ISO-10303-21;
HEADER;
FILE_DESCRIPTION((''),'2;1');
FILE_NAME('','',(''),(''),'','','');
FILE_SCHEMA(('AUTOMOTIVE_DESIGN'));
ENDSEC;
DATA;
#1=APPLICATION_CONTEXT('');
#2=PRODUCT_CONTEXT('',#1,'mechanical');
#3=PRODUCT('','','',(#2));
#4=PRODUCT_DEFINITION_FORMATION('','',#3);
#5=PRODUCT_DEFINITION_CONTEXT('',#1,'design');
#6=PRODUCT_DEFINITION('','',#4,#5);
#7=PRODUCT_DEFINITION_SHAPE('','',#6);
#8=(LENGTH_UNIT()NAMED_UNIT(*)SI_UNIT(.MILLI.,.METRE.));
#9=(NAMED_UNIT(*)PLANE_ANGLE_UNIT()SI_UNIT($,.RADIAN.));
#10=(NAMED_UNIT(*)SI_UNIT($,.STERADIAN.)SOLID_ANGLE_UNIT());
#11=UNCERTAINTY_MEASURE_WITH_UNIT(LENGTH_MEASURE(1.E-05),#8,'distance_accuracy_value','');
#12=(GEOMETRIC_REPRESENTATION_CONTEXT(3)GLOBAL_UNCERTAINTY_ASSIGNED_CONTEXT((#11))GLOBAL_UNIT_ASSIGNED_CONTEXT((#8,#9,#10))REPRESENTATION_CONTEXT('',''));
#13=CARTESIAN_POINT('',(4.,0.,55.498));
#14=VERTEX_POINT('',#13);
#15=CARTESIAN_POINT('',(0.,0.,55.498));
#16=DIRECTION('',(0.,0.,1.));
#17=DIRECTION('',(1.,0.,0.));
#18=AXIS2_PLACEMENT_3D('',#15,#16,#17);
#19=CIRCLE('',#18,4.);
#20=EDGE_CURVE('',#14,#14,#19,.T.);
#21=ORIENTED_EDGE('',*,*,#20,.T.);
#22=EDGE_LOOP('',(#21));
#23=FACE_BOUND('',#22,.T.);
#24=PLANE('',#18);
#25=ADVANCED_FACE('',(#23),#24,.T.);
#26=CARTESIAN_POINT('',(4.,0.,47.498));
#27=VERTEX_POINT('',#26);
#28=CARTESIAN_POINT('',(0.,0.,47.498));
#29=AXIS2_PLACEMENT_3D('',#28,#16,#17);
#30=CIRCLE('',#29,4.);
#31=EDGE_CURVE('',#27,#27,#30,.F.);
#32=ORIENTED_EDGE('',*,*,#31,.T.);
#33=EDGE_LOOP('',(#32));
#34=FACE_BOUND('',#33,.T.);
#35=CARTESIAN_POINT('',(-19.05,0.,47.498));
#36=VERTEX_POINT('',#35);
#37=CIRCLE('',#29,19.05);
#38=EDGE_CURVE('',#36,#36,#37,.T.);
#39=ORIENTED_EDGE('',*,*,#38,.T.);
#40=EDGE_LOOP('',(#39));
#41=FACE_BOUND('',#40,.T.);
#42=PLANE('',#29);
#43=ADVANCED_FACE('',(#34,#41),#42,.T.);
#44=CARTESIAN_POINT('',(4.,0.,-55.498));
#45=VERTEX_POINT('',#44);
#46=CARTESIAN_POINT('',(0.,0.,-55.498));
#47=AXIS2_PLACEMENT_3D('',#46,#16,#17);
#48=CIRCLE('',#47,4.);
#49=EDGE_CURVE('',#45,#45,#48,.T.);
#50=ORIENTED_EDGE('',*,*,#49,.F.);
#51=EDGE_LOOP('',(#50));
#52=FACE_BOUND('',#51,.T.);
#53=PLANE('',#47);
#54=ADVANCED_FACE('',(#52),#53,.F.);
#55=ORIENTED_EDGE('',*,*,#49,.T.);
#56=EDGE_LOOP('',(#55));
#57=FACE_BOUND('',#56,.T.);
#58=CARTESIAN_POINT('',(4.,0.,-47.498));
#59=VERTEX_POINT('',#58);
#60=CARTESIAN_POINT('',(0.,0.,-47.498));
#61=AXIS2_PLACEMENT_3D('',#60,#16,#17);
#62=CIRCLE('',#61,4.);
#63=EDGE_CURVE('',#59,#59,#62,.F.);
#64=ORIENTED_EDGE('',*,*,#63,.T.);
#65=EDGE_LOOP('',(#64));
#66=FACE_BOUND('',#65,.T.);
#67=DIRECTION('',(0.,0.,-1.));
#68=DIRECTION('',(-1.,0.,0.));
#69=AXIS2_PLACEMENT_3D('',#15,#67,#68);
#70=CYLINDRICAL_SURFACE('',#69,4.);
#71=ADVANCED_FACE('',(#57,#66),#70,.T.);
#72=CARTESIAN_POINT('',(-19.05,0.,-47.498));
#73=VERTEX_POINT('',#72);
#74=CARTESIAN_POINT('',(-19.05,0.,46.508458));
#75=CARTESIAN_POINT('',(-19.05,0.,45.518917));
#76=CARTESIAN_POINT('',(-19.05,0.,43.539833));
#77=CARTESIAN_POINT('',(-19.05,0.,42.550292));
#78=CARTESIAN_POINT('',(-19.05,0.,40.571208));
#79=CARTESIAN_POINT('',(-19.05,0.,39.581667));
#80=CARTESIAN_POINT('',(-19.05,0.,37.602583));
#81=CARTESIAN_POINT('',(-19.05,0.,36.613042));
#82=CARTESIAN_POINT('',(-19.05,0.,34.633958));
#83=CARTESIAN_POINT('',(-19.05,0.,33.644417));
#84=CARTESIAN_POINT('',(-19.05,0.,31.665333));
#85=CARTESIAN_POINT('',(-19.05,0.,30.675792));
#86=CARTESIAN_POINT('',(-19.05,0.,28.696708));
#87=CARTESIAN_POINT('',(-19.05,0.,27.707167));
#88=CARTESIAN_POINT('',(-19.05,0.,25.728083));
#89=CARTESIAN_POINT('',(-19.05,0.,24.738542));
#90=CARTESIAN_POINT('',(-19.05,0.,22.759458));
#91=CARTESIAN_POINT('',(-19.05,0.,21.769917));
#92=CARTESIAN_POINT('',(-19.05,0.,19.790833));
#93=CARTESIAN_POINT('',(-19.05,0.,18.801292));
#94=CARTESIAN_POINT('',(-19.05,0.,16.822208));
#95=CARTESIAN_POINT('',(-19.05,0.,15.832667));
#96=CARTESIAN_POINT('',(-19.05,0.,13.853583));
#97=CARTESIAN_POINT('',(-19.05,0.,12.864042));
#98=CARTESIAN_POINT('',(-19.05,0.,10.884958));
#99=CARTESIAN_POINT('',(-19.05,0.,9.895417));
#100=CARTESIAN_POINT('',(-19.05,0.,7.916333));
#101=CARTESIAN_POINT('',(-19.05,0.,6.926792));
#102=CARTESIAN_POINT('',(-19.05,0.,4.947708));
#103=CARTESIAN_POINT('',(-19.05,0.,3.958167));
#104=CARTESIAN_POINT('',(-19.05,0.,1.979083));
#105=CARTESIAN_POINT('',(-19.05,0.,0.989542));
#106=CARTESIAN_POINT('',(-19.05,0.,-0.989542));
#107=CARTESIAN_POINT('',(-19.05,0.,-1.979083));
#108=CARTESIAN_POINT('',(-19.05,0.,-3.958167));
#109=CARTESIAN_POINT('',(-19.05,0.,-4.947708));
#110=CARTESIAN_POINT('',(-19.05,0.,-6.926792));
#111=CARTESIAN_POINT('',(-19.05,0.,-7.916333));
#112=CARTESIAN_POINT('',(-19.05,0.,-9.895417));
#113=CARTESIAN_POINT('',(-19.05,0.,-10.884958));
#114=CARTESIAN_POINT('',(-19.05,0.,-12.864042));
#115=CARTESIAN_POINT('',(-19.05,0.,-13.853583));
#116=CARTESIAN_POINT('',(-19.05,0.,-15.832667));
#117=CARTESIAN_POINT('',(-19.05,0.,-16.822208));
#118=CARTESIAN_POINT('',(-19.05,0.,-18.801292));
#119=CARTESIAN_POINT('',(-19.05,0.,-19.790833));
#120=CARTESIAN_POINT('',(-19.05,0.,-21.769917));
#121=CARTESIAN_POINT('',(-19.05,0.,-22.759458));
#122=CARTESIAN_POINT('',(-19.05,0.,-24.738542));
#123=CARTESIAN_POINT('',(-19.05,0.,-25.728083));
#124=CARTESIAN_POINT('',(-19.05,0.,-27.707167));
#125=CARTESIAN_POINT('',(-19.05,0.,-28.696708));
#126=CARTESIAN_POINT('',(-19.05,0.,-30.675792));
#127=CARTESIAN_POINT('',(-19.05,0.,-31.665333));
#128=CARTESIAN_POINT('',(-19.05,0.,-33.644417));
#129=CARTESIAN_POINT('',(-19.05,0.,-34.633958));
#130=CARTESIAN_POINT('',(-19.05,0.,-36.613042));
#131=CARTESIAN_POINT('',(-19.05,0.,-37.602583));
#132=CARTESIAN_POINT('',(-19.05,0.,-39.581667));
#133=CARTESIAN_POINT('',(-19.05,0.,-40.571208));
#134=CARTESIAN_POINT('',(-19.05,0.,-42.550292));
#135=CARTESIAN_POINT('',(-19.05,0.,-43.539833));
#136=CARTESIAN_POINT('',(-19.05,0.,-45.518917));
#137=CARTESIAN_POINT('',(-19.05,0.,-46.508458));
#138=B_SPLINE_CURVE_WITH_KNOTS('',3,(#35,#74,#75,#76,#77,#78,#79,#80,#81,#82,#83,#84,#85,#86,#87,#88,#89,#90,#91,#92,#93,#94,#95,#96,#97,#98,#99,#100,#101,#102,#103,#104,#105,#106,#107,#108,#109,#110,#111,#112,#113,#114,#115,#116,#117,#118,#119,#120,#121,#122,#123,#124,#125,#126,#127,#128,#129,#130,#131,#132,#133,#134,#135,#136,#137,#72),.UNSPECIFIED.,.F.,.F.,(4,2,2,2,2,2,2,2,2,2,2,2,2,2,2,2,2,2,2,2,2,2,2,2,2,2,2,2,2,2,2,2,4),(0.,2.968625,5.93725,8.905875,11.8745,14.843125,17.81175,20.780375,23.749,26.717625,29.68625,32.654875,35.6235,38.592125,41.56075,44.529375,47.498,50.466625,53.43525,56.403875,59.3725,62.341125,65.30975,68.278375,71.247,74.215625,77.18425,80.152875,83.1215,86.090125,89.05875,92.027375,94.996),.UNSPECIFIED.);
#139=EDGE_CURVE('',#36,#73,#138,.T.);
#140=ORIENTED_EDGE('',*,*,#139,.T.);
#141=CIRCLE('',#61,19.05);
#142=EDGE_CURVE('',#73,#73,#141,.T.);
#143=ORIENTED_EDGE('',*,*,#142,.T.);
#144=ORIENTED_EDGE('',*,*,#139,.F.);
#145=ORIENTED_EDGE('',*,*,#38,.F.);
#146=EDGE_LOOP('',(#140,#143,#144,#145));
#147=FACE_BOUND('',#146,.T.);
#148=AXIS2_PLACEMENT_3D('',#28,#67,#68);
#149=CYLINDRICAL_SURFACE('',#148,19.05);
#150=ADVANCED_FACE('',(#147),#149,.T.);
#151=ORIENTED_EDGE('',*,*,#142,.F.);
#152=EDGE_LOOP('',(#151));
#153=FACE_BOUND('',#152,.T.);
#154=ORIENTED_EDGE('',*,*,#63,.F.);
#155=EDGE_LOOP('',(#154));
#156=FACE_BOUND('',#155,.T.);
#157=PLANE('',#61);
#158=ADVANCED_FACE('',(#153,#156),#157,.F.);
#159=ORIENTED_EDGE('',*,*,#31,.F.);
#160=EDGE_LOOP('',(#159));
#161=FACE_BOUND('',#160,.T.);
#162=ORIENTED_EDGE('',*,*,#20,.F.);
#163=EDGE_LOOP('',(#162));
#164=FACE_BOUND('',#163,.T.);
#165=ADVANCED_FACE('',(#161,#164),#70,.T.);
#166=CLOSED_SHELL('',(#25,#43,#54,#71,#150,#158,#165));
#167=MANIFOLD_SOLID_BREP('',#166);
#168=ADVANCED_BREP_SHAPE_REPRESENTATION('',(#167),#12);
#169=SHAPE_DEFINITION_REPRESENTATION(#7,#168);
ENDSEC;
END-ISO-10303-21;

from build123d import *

# Parameters (mm, degrees)
SKETCH1_R           = 19.05
BOSS_EXTRUDE1_DEPTH = 47.498
SKETCH1_3_R         = 4
BOSS_EXTRUDE2_DEPTH = 55.498


with BuildPart() as part:
    # Sketch1 → Boss-Extrude1 (new, symmetric)
    with BuildSketch(Plane.XY):
        Circle(SKETCH1_R)
    extrude(amount=BOSS_EXTRUDE1_DEPTH, both=True)

    # Sketch1<3> → Boss-Extrude2 (add, symmetric)
    with BuildSketch(Plane.XY):
        Circle(SKETCH1_3_R)
    extrude(amount=BOSS_EXTRUDE2_DEPTH, both=True)


solid = part.part
